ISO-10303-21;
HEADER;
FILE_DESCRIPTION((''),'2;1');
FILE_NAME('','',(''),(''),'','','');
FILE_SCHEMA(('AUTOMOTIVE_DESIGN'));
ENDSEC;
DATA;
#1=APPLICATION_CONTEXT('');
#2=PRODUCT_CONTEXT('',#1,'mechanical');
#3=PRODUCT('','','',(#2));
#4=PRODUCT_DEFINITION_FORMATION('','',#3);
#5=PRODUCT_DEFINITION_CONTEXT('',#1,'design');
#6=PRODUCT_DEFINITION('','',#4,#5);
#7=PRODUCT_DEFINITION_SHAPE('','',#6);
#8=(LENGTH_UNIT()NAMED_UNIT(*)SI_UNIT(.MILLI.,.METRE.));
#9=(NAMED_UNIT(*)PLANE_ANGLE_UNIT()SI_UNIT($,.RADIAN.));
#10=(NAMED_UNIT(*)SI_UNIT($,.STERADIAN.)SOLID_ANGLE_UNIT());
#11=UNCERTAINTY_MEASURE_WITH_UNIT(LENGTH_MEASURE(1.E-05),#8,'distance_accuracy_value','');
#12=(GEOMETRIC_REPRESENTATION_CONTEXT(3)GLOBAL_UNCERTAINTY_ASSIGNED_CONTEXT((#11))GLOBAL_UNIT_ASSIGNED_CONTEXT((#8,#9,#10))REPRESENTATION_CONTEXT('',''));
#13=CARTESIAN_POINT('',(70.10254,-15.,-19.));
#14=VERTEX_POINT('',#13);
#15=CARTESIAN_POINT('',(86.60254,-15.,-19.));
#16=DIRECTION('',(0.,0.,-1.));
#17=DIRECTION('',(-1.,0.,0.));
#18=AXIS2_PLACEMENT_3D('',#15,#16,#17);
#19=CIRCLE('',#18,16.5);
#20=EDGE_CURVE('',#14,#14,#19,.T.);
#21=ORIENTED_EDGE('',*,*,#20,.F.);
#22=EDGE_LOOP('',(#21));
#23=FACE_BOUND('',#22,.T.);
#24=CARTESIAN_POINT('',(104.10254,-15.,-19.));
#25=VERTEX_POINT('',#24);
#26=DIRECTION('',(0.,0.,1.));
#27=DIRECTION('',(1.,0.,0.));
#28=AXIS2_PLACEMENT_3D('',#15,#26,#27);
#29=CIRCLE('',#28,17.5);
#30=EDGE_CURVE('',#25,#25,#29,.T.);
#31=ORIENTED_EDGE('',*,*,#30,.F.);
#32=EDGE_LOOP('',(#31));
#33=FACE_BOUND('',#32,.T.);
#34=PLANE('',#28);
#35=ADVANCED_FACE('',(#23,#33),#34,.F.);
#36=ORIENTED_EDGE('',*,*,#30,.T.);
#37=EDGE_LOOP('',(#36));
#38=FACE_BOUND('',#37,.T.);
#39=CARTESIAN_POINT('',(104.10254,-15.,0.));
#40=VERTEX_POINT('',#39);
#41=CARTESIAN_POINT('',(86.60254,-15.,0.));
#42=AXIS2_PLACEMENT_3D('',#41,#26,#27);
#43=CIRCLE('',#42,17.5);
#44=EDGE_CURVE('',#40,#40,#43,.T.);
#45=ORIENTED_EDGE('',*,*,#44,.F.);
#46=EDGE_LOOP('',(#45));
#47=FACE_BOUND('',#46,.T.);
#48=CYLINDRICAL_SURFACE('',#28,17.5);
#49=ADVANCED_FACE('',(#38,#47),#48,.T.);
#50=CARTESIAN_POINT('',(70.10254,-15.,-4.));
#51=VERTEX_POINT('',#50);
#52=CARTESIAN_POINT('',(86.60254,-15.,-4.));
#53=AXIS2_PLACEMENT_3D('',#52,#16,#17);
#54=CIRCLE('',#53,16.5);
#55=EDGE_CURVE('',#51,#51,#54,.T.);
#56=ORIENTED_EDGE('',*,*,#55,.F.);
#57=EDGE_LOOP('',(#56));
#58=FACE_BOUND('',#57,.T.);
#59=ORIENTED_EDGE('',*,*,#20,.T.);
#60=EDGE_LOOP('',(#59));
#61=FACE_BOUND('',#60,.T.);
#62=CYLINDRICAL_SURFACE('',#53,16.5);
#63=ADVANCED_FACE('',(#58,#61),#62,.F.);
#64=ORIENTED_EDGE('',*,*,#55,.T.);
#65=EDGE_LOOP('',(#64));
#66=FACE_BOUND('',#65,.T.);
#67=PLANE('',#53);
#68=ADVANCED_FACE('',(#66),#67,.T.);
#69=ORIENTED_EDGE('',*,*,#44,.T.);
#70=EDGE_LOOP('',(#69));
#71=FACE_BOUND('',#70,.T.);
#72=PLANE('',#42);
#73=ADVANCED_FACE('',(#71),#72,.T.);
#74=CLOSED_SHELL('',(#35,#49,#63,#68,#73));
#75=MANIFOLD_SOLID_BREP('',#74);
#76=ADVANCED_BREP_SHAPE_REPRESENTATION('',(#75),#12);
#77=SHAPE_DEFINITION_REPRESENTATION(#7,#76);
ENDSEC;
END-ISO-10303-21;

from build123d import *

# Parameters (mm, degrees)
ESQUISSE1_R             = 17.5
BOSS_EXTRU_1_DEPTH      = 19
ESQUISSE2_R             = 16.5
ENL_V_MAT_EXTRU_1_DEPTH = 15


with BuildPart() as part:
    # Esquisse1 → Boss.-Extru.1 (new body)
    with BuildSketch(Plane.XY):
        with Locations((86.602540378, -15)):
            Circle(ESQUISSE1_R)
    extrude(amount=-BOSS_EXTRU_1_DEPTH)

    # Esquisse2 → Enlèv. mat.-Extru.1 (cut)
    with BuildSketch(Plane(origin=(0, 0, -19), x_dir=(-1, 0, 0), z_dir=(0, 0, -1))):
        with Locations((-86.602540378, -15)):
            Circle(ESQUISSE2_R)
    extrude(amount=-ENL_V_MAT_EXTRU_1_DEPTH, mode=Mode.SUBTRACT)


solid = part.part
